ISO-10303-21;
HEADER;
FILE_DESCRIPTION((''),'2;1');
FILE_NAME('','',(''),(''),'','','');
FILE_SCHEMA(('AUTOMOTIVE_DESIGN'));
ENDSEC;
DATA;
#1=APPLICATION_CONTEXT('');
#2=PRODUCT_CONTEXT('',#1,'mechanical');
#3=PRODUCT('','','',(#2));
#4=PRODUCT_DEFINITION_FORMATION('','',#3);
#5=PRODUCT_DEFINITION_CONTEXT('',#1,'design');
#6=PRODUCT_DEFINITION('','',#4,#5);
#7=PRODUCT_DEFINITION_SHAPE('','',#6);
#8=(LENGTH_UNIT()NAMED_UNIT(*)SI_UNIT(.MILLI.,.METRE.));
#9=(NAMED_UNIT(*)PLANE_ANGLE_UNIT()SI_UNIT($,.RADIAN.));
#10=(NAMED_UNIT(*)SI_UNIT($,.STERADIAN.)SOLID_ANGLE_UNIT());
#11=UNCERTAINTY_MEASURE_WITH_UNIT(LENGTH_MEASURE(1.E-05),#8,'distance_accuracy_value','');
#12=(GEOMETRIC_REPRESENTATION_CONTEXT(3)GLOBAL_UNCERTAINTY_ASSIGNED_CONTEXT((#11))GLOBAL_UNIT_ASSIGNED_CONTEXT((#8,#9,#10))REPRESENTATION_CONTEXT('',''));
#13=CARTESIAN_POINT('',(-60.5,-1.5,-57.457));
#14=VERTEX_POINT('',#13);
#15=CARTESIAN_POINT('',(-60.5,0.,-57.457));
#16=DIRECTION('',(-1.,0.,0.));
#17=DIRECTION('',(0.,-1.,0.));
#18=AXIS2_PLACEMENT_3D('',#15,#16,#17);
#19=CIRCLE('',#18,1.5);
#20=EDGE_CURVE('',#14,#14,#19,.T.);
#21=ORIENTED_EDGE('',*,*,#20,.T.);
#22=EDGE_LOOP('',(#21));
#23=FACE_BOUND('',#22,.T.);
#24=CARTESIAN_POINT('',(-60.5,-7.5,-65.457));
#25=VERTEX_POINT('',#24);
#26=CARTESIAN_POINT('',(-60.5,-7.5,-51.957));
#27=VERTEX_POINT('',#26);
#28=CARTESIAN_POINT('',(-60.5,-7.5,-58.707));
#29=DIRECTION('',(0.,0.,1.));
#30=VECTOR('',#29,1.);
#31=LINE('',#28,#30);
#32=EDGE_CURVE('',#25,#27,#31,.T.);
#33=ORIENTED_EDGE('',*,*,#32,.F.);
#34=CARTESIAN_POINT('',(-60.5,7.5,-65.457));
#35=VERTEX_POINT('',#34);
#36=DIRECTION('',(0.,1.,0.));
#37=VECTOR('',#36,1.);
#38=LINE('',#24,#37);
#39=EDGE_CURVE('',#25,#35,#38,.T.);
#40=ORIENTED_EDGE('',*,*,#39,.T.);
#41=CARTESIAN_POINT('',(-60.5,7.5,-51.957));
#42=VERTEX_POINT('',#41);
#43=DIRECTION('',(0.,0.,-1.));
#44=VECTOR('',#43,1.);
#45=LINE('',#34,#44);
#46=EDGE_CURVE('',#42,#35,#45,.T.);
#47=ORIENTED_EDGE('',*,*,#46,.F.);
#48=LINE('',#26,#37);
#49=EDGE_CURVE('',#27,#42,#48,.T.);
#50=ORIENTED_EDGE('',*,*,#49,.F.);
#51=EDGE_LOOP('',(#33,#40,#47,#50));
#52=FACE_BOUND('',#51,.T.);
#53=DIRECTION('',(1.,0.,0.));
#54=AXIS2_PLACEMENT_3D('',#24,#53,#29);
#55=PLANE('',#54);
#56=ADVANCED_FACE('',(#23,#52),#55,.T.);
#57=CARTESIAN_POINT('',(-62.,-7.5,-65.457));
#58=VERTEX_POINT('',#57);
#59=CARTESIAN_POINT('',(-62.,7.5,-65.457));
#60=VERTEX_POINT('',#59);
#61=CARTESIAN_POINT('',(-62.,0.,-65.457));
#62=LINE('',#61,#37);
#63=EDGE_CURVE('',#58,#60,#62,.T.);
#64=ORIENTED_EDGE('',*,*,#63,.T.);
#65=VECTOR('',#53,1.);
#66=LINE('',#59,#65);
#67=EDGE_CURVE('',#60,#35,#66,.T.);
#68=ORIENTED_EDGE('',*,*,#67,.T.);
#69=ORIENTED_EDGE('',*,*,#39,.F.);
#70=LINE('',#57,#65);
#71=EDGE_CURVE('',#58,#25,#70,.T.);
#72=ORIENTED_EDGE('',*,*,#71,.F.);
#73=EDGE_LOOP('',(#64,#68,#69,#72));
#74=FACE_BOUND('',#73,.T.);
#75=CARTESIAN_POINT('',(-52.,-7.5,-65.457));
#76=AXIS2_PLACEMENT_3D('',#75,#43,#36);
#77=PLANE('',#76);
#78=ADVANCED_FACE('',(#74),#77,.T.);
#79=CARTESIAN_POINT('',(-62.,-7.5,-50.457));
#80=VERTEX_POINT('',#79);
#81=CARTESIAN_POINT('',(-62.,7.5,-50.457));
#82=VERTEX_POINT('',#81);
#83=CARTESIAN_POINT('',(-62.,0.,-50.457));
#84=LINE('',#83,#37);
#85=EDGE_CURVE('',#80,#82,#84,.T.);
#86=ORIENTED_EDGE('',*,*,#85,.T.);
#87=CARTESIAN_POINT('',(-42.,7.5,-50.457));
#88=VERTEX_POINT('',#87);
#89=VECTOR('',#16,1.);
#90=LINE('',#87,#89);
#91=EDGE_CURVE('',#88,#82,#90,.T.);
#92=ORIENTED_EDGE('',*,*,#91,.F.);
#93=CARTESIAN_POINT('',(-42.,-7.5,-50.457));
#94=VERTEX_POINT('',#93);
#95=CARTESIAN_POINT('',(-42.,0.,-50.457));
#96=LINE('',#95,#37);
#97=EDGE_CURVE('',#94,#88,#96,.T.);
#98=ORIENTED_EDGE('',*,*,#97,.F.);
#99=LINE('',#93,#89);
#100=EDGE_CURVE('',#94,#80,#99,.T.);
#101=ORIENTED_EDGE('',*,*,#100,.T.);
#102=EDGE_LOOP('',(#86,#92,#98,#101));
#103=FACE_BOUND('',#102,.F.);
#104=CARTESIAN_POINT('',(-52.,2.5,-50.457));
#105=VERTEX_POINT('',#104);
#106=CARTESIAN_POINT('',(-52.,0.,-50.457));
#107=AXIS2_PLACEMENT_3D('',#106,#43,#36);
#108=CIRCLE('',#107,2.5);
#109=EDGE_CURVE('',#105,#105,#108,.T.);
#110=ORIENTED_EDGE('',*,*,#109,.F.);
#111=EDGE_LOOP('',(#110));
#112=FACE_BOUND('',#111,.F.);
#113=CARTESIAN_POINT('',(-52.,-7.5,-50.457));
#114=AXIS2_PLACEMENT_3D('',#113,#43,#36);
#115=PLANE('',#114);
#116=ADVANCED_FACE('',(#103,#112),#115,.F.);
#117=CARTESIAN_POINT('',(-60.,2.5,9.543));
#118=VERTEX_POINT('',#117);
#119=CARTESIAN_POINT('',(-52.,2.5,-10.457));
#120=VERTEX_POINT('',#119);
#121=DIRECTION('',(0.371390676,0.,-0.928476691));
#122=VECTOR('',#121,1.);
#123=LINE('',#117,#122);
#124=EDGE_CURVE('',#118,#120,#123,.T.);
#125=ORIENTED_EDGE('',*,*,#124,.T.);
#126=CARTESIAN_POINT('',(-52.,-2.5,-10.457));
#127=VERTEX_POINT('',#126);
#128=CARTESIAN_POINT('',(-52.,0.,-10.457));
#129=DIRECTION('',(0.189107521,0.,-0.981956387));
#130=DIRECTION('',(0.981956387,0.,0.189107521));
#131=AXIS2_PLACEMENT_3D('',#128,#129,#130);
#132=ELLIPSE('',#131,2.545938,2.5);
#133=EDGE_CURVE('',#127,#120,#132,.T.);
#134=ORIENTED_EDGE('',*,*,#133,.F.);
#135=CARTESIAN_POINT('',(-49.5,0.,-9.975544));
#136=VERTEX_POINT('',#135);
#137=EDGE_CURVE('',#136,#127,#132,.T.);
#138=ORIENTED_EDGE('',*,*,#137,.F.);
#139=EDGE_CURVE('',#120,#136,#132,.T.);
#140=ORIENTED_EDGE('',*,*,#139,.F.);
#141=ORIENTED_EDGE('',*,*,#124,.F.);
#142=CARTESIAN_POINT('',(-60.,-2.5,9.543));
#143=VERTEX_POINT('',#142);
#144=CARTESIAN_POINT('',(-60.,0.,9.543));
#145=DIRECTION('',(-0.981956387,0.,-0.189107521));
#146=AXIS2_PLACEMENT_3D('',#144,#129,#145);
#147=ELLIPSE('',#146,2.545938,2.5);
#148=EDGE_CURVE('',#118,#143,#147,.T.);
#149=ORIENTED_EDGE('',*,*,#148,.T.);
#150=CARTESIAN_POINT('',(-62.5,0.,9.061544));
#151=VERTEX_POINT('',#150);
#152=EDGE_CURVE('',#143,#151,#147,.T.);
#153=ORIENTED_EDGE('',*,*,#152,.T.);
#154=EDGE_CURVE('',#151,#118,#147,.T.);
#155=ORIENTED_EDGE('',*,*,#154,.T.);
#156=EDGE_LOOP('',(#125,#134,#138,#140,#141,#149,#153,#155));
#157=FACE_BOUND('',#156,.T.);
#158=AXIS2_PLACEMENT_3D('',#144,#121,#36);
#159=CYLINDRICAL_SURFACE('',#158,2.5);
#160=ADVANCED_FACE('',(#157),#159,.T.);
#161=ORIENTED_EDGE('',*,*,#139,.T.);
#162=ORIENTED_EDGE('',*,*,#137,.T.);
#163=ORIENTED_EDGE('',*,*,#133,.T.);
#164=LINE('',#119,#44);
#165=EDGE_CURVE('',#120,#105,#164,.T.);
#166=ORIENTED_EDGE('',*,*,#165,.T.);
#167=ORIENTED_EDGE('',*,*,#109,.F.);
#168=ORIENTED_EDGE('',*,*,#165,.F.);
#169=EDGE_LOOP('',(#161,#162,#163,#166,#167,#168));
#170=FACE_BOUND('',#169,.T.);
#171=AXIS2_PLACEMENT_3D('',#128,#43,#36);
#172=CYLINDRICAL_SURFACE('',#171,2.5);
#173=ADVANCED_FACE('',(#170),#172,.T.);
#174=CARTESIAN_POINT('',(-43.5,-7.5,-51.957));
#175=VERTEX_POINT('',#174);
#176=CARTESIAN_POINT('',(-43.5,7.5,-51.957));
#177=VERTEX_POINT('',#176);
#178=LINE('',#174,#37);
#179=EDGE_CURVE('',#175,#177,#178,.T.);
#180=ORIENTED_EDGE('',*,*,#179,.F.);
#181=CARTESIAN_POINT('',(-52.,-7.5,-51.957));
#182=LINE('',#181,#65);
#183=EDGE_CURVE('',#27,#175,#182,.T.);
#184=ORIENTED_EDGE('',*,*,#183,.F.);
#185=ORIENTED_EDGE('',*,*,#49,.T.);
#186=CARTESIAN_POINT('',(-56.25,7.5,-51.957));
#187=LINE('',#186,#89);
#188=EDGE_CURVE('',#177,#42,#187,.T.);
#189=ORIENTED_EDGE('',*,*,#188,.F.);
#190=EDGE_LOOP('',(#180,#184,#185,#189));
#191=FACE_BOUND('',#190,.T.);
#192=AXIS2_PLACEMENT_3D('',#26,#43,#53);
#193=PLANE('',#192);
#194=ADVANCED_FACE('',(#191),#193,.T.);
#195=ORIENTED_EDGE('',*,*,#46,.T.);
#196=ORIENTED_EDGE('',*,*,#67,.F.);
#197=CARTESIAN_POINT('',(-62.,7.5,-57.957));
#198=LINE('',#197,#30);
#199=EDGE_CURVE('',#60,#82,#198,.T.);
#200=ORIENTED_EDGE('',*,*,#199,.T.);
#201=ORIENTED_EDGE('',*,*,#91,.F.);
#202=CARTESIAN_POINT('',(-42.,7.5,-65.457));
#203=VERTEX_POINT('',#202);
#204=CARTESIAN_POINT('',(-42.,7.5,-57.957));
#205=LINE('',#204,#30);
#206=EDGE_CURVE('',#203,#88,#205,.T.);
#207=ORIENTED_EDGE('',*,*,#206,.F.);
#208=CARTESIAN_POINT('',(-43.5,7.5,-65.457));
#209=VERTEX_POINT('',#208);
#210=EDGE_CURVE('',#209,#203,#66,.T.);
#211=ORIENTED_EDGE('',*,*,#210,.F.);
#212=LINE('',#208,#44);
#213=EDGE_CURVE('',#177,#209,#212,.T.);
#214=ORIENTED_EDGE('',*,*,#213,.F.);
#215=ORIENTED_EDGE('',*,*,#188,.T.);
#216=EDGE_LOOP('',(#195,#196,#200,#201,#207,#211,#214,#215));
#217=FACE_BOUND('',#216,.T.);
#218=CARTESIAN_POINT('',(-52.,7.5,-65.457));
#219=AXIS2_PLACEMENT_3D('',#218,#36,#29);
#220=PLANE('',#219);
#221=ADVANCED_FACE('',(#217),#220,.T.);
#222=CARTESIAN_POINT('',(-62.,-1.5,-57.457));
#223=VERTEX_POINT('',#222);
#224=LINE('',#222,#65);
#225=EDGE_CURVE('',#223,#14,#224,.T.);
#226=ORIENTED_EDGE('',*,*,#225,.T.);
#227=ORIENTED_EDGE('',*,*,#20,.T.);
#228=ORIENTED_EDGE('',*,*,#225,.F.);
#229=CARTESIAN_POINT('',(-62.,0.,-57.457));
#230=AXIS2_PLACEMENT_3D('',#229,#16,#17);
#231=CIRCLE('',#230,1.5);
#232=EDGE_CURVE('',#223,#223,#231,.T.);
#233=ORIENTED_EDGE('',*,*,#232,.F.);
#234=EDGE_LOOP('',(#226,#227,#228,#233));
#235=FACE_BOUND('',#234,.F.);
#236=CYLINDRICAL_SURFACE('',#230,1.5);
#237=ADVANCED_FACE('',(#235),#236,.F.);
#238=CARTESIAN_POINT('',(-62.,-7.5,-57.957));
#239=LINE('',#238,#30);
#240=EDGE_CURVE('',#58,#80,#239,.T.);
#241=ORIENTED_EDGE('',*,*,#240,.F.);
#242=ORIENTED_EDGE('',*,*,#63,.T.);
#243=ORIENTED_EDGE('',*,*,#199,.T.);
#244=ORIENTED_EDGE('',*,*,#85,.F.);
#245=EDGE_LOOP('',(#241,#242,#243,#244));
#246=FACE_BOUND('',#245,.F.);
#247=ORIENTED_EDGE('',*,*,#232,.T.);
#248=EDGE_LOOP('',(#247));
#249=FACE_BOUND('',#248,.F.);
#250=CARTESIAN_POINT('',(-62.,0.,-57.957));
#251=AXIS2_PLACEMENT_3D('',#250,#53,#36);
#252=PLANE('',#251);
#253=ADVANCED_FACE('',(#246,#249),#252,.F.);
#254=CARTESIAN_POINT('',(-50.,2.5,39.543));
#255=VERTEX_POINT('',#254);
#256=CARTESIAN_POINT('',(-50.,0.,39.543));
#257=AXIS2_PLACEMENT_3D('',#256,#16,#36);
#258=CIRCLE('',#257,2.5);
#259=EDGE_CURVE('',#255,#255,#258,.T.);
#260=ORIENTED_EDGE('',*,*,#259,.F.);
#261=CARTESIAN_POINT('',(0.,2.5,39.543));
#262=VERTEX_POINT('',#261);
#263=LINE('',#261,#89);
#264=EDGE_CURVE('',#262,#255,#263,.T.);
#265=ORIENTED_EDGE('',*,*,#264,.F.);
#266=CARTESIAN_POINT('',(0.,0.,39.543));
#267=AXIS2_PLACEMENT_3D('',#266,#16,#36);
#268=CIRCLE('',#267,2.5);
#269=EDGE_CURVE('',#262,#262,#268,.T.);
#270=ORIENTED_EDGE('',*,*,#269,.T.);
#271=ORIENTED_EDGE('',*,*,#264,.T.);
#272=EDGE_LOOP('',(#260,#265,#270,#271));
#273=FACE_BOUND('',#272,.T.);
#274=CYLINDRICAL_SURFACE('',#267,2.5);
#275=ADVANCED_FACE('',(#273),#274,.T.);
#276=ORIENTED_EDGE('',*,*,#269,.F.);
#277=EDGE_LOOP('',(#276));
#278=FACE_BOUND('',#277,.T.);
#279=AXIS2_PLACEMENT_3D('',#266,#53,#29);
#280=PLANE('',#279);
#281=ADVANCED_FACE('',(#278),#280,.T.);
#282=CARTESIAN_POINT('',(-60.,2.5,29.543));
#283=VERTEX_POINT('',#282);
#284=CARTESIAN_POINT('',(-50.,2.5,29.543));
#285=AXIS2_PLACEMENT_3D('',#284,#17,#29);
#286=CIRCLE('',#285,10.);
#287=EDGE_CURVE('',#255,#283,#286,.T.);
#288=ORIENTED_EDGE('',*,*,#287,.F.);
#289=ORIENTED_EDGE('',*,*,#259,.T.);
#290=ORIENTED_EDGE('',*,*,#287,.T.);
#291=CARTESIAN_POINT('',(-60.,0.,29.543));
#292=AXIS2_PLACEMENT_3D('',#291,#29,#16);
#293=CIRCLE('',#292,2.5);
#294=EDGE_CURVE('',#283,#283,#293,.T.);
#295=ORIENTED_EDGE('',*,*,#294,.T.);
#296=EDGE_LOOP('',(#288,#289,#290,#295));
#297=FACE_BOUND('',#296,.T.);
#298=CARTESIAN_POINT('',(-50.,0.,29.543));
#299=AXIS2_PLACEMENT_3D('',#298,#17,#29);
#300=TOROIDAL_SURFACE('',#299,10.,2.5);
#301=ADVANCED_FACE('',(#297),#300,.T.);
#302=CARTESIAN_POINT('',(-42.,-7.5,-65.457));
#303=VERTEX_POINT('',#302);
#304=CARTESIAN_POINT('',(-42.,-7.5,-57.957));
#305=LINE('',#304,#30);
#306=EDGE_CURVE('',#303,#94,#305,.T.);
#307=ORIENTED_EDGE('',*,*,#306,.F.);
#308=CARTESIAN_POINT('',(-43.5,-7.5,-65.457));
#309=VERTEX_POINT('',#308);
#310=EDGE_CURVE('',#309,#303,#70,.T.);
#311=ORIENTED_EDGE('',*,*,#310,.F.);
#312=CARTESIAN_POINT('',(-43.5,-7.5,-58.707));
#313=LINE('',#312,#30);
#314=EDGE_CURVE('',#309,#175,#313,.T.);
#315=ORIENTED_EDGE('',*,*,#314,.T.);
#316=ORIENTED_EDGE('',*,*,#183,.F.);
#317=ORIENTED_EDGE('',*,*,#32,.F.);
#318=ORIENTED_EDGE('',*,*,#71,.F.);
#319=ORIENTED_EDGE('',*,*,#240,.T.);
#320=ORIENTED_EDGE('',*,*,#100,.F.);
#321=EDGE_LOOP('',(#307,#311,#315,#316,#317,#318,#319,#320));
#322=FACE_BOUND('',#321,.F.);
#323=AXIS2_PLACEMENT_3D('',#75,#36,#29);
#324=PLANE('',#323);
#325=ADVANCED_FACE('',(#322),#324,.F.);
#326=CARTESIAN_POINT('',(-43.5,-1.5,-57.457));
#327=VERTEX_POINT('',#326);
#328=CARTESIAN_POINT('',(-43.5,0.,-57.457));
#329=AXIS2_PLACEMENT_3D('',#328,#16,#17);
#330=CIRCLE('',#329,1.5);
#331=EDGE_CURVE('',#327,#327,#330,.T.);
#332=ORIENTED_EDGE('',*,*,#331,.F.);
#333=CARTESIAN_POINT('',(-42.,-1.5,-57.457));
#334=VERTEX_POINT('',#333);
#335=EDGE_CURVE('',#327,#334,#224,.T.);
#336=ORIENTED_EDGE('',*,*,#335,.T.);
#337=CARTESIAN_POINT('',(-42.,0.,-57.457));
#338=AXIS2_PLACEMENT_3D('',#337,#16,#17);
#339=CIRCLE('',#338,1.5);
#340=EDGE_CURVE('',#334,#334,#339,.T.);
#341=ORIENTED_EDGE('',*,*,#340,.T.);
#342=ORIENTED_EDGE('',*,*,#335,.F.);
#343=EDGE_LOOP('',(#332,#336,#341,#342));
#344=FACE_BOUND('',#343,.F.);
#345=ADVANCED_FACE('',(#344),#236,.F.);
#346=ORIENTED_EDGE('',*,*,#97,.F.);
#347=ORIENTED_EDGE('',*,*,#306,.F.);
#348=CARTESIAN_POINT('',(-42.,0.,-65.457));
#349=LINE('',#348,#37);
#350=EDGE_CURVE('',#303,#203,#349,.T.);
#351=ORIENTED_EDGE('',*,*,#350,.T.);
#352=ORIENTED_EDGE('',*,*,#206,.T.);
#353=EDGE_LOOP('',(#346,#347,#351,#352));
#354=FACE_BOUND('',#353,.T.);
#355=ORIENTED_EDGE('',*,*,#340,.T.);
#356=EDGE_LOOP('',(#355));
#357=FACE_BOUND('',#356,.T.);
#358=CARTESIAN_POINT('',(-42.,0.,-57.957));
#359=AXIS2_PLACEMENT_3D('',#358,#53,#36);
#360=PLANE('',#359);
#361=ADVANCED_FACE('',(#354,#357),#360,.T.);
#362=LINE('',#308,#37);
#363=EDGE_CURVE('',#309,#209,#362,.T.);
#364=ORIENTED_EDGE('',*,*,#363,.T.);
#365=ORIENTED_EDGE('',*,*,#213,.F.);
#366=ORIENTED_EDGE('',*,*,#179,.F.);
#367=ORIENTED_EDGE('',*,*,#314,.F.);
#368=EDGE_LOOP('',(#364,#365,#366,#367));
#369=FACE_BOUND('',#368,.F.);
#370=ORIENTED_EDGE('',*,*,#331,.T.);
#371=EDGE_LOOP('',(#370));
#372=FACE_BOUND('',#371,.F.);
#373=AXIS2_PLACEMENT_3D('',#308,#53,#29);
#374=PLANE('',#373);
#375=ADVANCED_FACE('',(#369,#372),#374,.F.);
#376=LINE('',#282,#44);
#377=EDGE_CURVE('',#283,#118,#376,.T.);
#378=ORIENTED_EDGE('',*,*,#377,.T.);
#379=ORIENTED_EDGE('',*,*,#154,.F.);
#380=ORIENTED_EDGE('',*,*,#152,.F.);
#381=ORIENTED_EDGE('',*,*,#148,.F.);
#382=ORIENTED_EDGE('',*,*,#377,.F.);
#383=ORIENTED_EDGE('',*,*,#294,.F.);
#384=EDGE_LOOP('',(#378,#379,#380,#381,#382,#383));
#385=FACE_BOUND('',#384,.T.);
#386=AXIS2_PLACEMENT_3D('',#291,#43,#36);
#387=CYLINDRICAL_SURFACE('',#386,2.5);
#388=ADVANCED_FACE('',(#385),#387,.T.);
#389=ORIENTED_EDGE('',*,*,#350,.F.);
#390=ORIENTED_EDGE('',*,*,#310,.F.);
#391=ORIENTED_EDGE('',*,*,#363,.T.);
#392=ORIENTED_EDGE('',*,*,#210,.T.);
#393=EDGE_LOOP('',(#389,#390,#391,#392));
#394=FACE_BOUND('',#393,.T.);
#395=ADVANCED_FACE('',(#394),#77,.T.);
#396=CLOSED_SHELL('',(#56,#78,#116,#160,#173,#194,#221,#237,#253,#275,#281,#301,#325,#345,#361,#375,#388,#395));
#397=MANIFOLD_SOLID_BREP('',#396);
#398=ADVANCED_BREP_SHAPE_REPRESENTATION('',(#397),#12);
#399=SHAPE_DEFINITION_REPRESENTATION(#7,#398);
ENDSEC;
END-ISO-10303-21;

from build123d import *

# Parameters (mm, degrees)
F1_R     = 2.5
F4_W     = 15
F4_H     = 15
F5_DEPTH = 10
F6_W     = 17
F6_H     = 13.5
F7_DEPTH = 25
F8_R     = 1.5
F9_DEPTH = 25


with BuildPart() as f2:
    # F2: sweep along a path in F0
    with BuildLine(Plane.XZ) as f2_path:
        Line((0, 39.5429997165), (-50, 39.5429997165))
        ThreePointArc((-50, 39.5429997165), (-57.0710678119, 36.6140675284), (-60, 29.5429997165))
        Line((-60, 29.5429997165), (-60, 9.5429997165))
        Line((-60, 9.5429997165), (-52, -10.4570002835))
        Line((-52, -10.4570002835), (-52, -50.4570002835))
    # F1 (on Right) → F2 (sweep)
    with BuildSketch(Plane.YZ):
        with Locations((0, 39.5429997165)):
            Circle(F1_R)
    sweep(path=f2_path.line, transition=Transition.RIGHT)

    # F4 (on offset) → F5 (join, symmetric)
    with BuildSketch(Plane.YZ.offset(-52)):
        with Locations((0, -57.9570002835)):
            Rectangle(F4_W, F4_H)
    extrude(amount=F5_DEPTH, both=True)

    # F6 (on face) → F7 (cut)
    with BuildSketch(Plane.XZ.offset(7.5)):
        with Locations((-52, -58.7070002835)):
            Rectangle(F6_W, F6_H)
    extrude(amount=-F7_DEPTH, mode=Mode.SUBTRACT)

    # F8 (on face) → F9 (cut)
    with BuildSketch(Plane(origin=(-62, 0, 0), x_dir=(0, -1, 0), z_dir=(-1, 0, 0))):
        with Locations((0, -57.4570002835)):
            Circle(F8_R)
    extrude(amount=-F9_DEPTH, mode=Mode.SUBTRACT)


solid = f2.part
